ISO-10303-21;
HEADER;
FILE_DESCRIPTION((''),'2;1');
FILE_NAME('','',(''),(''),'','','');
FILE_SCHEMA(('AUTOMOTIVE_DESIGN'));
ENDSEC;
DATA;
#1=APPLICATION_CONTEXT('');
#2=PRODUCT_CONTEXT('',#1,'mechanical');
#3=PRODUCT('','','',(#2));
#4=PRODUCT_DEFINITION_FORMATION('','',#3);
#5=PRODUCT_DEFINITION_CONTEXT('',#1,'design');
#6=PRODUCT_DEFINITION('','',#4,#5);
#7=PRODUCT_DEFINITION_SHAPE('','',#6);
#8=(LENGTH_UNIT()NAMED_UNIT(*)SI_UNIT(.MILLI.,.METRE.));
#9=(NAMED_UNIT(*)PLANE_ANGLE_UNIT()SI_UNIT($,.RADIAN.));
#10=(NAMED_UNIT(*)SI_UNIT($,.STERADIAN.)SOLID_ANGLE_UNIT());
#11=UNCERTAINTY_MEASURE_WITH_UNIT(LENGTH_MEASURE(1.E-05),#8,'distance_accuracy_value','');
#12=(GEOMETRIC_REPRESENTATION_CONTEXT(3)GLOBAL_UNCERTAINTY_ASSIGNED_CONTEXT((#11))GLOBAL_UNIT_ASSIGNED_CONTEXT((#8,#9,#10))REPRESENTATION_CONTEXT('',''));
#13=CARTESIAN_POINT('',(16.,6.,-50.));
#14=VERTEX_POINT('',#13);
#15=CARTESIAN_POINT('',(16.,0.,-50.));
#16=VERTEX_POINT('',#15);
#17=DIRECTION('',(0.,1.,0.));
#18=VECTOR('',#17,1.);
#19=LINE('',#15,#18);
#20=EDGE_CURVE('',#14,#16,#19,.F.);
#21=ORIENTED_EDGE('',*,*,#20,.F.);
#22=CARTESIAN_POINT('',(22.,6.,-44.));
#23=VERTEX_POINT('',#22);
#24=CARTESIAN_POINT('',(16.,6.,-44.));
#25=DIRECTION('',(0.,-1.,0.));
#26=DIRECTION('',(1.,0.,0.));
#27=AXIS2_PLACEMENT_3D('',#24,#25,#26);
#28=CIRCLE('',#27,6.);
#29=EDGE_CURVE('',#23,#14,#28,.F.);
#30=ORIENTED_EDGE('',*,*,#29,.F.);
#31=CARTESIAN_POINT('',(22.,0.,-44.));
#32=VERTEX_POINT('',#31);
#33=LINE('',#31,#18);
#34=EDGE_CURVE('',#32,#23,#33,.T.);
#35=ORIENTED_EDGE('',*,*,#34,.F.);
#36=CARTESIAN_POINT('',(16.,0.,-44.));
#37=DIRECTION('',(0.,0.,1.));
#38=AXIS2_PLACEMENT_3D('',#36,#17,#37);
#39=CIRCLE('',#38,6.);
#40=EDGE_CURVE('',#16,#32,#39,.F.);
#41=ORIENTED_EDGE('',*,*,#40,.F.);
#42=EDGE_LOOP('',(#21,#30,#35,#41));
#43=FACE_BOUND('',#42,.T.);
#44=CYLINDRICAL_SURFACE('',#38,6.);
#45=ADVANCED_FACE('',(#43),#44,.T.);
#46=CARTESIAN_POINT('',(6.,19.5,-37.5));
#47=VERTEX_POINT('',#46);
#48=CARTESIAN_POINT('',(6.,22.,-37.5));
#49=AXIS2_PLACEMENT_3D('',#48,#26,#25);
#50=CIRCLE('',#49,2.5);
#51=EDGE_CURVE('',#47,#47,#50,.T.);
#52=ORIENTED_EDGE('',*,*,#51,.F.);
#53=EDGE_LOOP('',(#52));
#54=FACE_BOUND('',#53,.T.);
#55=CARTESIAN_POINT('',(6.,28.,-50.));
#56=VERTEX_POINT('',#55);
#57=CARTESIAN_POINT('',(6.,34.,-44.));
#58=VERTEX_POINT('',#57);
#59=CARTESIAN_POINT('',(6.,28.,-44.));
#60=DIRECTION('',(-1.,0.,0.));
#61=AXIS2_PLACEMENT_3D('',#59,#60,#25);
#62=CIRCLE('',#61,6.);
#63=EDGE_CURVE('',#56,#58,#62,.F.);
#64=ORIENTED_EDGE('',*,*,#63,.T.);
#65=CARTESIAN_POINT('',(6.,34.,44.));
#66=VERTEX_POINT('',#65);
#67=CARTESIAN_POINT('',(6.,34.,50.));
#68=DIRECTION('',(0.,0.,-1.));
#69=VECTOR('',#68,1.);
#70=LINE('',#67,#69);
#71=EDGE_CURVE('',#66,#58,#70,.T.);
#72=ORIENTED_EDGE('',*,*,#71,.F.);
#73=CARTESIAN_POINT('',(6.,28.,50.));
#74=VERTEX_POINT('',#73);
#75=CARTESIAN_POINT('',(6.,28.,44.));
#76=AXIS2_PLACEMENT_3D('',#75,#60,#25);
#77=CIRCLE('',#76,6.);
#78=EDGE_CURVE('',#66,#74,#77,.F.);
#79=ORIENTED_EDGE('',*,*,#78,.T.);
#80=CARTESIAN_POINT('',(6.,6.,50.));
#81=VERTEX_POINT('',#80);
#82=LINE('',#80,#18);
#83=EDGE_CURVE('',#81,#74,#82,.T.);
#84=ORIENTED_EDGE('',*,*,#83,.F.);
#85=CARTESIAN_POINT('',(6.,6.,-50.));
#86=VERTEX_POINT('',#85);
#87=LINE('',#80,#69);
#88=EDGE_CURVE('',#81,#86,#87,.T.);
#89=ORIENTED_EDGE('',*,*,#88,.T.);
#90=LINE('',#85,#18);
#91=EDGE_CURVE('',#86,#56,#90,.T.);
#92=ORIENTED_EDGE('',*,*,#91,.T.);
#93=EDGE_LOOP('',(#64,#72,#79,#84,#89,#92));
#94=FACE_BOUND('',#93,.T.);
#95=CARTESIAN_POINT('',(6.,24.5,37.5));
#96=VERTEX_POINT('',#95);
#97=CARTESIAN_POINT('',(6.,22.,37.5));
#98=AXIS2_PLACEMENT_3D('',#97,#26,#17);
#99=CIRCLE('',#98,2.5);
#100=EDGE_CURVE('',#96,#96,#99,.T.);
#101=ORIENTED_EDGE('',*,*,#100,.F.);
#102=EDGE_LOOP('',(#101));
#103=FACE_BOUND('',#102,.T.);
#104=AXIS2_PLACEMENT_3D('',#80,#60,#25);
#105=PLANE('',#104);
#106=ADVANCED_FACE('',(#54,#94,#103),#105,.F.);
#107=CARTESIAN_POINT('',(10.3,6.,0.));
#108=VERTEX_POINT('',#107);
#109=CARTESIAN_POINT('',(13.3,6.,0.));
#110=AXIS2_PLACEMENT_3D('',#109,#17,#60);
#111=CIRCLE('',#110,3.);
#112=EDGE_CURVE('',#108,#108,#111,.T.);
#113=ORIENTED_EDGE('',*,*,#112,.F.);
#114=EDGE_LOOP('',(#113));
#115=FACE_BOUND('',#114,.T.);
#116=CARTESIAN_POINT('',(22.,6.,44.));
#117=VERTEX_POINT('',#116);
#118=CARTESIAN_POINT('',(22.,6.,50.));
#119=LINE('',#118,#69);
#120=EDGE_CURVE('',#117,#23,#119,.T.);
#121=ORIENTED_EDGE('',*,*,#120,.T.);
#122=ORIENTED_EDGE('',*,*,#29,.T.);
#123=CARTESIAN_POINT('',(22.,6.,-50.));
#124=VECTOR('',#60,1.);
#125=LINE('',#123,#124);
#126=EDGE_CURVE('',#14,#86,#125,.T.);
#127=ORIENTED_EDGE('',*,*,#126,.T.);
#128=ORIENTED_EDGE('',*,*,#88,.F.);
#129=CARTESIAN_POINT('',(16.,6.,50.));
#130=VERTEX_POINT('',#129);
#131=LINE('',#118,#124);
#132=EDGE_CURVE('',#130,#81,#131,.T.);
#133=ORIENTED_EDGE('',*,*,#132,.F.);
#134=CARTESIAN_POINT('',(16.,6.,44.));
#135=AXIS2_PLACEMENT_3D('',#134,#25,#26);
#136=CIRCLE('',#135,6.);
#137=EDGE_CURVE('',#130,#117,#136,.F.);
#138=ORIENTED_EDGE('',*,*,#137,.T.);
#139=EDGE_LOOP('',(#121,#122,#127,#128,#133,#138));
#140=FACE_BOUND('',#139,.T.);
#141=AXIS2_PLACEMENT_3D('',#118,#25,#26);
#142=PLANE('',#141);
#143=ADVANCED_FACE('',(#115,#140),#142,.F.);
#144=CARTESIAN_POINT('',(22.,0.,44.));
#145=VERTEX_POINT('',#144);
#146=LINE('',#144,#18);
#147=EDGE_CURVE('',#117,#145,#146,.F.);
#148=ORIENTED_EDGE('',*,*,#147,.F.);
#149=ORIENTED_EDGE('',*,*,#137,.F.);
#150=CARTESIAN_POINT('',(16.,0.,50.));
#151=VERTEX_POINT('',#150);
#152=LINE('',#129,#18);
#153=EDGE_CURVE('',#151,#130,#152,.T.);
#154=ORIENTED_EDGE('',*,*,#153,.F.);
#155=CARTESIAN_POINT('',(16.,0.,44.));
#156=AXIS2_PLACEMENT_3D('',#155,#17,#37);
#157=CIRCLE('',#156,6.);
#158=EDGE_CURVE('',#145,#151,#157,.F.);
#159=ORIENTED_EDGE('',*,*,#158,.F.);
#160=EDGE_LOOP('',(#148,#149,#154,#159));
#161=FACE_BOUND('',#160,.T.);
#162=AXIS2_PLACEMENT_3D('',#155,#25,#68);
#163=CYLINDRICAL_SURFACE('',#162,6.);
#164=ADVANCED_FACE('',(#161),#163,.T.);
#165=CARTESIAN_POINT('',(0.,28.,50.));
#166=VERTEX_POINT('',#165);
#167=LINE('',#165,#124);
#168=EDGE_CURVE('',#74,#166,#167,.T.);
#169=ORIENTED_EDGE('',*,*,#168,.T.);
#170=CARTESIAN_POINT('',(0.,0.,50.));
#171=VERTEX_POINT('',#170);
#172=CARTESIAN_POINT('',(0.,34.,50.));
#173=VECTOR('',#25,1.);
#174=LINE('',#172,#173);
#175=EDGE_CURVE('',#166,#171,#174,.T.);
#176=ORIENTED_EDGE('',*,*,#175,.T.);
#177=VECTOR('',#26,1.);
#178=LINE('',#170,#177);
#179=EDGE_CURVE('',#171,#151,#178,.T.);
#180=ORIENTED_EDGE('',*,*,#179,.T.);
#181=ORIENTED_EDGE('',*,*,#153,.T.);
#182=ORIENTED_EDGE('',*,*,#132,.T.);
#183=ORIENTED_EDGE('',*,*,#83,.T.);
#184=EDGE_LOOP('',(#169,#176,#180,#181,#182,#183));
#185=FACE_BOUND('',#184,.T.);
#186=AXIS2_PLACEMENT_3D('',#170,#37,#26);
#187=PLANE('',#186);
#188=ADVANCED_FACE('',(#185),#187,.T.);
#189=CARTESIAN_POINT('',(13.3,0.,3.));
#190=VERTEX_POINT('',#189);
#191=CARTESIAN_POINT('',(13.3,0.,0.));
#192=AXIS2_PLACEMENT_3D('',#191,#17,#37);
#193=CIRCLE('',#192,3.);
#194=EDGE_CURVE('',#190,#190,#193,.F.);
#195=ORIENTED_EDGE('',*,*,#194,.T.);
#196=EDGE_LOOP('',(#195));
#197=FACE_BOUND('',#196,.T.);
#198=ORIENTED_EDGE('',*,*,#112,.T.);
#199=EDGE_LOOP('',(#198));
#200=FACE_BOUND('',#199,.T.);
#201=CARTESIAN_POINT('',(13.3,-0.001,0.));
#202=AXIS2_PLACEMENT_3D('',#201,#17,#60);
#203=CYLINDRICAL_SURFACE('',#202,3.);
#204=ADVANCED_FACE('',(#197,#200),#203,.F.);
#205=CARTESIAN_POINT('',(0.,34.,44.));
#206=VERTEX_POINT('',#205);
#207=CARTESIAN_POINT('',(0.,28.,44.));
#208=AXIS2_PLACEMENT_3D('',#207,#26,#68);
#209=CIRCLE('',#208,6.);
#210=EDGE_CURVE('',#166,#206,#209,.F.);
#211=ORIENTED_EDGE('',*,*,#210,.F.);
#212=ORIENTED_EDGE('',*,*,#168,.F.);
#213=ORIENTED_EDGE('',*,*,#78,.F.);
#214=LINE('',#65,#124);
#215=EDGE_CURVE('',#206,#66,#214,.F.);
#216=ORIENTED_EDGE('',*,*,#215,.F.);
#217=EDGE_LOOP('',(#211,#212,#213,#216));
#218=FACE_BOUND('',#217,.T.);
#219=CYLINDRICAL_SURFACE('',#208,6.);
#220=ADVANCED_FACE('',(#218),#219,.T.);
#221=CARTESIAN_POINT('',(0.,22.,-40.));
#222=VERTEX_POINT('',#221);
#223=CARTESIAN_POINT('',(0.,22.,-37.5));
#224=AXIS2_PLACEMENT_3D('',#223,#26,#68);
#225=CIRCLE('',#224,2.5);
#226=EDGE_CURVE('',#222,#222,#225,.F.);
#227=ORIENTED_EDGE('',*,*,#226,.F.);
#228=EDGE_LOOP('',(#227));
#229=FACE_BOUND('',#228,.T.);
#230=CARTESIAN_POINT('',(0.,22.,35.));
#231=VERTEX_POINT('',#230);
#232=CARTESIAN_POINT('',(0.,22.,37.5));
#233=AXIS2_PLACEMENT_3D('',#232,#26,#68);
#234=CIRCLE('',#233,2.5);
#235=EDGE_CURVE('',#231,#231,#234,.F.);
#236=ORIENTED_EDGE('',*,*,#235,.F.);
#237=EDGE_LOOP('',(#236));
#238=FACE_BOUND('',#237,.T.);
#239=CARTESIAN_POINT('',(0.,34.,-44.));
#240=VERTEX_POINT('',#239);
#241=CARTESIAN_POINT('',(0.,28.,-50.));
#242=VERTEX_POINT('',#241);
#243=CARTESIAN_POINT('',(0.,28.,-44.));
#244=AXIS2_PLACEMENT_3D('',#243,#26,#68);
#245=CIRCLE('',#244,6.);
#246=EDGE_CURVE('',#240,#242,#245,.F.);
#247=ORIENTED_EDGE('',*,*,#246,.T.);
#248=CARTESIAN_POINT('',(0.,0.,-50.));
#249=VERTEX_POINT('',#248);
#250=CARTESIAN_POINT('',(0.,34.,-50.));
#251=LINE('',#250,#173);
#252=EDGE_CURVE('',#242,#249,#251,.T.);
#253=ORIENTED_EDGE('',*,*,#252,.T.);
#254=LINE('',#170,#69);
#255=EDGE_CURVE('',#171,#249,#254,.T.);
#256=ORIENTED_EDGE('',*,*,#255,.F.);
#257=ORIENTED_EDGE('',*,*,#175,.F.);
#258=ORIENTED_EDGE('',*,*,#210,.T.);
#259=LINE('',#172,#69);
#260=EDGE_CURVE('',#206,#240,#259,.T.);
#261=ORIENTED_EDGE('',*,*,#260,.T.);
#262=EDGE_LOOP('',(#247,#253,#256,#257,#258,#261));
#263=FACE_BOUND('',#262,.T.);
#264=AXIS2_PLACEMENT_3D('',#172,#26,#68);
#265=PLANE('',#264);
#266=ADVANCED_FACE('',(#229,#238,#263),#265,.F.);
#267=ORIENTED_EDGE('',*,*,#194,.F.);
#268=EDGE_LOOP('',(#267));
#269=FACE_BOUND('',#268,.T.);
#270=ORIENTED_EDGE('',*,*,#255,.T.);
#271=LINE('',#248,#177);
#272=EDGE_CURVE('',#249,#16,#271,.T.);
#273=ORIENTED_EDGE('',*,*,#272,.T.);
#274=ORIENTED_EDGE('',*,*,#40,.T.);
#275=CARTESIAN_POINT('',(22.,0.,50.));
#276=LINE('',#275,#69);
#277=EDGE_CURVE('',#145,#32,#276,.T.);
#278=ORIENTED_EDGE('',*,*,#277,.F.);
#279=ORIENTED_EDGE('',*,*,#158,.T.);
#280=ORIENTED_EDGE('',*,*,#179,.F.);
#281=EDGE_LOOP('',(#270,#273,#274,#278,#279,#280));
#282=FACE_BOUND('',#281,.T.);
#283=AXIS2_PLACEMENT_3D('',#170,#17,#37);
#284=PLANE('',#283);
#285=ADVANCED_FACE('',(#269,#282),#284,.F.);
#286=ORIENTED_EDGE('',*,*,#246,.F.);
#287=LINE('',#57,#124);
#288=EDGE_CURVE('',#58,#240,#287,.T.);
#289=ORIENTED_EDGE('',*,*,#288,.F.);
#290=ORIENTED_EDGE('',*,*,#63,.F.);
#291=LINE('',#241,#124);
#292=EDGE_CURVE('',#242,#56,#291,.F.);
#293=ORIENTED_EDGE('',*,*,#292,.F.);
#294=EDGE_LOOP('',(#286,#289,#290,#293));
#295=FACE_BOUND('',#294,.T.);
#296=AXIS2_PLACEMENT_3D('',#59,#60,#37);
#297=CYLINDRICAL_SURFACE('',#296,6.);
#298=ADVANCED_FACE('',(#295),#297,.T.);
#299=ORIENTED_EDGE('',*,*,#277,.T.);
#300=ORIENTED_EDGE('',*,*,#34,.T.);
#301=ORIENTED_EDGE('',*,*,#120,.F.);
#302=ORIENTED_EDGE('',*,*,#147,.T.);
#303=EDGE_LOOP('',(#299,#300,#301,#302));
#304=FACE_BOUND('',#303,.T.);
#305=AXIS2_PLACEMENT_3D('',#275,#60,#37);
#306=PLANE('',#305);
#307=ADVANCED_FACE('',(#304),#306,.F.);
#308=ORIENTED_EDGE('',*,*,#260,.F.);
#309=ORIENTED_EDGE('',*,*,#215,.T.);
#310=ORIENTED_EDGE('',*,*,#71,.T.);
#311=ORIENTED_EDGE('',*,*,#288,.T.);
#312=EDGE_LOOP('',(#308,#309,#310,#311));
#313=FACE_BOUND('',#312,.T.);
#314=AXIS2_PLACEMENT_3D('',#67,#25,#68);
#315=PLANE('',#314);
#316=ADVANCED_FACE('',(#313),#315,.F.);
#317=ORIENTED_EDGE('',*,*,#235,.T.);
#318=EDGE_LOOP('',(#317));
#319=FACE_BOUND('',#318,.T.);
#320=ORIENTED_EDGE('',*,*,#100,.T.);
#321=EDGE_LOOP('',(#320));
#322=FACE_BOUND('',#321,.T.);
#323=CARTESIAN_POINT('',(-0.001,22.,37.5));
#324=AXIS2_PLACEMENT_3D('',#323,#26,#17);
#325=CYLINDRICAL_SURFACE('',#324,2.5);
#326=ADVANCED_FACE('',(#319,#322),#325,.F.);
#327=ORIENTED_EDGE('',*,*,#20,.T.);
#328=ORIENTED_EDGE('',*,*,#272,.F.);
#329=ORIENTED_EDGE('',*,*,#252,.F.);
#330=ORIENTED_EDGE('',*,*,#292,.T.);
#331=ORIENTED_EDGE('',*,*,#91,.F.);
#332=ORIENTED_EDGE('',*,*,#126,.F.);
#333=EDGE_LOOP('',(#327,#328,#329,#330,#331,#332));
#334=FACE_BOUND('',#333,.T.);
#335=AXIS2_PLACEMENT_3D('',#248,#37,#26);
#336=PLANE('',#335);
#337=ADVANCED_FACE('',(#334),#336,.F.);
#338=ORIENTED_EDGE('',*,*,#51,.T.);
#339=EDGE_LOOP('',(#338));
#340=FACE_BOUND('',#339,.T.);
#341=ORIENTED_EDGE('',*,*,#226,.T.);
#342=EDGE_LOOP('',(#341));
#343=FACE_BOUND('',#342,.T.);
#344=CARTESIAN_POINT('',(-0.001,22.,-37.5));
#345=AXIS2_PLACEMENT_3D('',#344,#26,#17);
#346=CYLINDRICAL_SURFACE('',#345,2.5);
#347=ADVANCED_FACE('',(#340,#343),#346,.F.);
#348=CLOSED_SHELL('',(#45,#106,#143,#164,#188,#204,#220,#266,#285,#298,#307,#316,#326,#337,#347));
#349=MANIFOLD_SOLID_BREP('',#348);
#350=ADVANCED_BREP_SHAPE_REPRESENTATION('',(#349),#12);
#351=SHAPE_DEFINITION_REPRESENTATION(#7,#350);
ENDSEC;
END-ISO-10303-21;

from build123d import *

# Parameters (mm, degrees)
BOSS_EXTRUDE1_DEPTH = 50
CUT_EXTRUDE1_REACH  = 64.546
SKETCH2_R           = 2.5
CUT_EXTRUDE2_REACH  = 63.384
SKETCH3_R           = 3
FILLET1_R           = 6


with BuildPart() as part:
    # Sketch1 → Boss-Extrude1 (new, symmetric)
    with BuildSketch(Plane.XY):
        Polygon((0, 34), (0, 0), (22, 0), (22, 6), (6, 6), (6, 34), align=None)
    extrude(amount=BOSS_EXTRUDE1_DEPTH, both=True)

    # Sketch2 → Cut-Extrude1 (cut, up to next)
    with BuildSketch(Plane(origin=(6, 0, 0), x_dir=(0, 0, -1), z_dir=(1, 0, 0)), mode=Mode.PRIVATE) as cut_extrude1_sk1:
        with Locations(Location((-37.5, 22, 0), (0, 0, 90))):
            Circle(SKETCH2_R)
    cut_extrude1_tool1 = extrude(cut_extrude1_sk1.sketch, amount=-CUT_EXTRUDE1_REACH, mode=Mode.PRIVATE) & part.part
    # Sketch2 → Cut-Extrude1 (cut, up to next)
    with BuildSketch(Plane(origin=(6, 0, 0), x_dir=(0, 0, -1), z_dir=(1, 0, 0)), mode=Mode.PRIVATE) as cut_extrude1_sk2:
        with Locations((37.5, 22)):
            Circle(SKETCH2_R)
    cut_extrude1_tool2 = extrude(cut_extrude1_sk2.sketch, amount=-CUT_EXTRUDE1_REACH, mode=Mode.PRIVATE) & part.part
    add(cut_extrude1_tool1.solids().sort_by_distance((6, 22, 37.5))[0], mode=Mode.SUBTRACT)
    add(cut_extrude1_tool2.solids().sort_by_distance((6, 22, -37.5))[0], mode=Mode.SUBTRACT)

    # Sketch3 → Cut-Extrude2 (cut, up to next)
    with BuildSketch(Plane(origin=(0, 6, 0), x_dir=(1, 0, 0), z_dir=(0, 1, 0)), mode=Mode.PRIVATE) as cut_extrude2_sk1:
        with Locations(Location((13.3, 0, 0), (0, 0, 180))):
            Circle(SKETCH3_R)
    cut_extrude2_tool1 = extrude(cut_extrude2_sk1.sketch, amount=-CUT_EXTRUDE2_REACH, mode=Mode.PRIVATE) & part.part
    add(cut_extrude2_tool1.solids().sort_by_distance((13.3, 6, 0))[0], mode=Mode.SUBTRACT)

    # Fillet1
    fillet1_edges = [part.edges().sort_by_distance(p)[0] for p in [
        (22, 3, 50),
        (3, 34, 50),
        (22, 3, -50),
        (3, 34, -50),
    ]]
    fillet(fillet1_edges, radius=FILLET1_R)


solid = part.part
